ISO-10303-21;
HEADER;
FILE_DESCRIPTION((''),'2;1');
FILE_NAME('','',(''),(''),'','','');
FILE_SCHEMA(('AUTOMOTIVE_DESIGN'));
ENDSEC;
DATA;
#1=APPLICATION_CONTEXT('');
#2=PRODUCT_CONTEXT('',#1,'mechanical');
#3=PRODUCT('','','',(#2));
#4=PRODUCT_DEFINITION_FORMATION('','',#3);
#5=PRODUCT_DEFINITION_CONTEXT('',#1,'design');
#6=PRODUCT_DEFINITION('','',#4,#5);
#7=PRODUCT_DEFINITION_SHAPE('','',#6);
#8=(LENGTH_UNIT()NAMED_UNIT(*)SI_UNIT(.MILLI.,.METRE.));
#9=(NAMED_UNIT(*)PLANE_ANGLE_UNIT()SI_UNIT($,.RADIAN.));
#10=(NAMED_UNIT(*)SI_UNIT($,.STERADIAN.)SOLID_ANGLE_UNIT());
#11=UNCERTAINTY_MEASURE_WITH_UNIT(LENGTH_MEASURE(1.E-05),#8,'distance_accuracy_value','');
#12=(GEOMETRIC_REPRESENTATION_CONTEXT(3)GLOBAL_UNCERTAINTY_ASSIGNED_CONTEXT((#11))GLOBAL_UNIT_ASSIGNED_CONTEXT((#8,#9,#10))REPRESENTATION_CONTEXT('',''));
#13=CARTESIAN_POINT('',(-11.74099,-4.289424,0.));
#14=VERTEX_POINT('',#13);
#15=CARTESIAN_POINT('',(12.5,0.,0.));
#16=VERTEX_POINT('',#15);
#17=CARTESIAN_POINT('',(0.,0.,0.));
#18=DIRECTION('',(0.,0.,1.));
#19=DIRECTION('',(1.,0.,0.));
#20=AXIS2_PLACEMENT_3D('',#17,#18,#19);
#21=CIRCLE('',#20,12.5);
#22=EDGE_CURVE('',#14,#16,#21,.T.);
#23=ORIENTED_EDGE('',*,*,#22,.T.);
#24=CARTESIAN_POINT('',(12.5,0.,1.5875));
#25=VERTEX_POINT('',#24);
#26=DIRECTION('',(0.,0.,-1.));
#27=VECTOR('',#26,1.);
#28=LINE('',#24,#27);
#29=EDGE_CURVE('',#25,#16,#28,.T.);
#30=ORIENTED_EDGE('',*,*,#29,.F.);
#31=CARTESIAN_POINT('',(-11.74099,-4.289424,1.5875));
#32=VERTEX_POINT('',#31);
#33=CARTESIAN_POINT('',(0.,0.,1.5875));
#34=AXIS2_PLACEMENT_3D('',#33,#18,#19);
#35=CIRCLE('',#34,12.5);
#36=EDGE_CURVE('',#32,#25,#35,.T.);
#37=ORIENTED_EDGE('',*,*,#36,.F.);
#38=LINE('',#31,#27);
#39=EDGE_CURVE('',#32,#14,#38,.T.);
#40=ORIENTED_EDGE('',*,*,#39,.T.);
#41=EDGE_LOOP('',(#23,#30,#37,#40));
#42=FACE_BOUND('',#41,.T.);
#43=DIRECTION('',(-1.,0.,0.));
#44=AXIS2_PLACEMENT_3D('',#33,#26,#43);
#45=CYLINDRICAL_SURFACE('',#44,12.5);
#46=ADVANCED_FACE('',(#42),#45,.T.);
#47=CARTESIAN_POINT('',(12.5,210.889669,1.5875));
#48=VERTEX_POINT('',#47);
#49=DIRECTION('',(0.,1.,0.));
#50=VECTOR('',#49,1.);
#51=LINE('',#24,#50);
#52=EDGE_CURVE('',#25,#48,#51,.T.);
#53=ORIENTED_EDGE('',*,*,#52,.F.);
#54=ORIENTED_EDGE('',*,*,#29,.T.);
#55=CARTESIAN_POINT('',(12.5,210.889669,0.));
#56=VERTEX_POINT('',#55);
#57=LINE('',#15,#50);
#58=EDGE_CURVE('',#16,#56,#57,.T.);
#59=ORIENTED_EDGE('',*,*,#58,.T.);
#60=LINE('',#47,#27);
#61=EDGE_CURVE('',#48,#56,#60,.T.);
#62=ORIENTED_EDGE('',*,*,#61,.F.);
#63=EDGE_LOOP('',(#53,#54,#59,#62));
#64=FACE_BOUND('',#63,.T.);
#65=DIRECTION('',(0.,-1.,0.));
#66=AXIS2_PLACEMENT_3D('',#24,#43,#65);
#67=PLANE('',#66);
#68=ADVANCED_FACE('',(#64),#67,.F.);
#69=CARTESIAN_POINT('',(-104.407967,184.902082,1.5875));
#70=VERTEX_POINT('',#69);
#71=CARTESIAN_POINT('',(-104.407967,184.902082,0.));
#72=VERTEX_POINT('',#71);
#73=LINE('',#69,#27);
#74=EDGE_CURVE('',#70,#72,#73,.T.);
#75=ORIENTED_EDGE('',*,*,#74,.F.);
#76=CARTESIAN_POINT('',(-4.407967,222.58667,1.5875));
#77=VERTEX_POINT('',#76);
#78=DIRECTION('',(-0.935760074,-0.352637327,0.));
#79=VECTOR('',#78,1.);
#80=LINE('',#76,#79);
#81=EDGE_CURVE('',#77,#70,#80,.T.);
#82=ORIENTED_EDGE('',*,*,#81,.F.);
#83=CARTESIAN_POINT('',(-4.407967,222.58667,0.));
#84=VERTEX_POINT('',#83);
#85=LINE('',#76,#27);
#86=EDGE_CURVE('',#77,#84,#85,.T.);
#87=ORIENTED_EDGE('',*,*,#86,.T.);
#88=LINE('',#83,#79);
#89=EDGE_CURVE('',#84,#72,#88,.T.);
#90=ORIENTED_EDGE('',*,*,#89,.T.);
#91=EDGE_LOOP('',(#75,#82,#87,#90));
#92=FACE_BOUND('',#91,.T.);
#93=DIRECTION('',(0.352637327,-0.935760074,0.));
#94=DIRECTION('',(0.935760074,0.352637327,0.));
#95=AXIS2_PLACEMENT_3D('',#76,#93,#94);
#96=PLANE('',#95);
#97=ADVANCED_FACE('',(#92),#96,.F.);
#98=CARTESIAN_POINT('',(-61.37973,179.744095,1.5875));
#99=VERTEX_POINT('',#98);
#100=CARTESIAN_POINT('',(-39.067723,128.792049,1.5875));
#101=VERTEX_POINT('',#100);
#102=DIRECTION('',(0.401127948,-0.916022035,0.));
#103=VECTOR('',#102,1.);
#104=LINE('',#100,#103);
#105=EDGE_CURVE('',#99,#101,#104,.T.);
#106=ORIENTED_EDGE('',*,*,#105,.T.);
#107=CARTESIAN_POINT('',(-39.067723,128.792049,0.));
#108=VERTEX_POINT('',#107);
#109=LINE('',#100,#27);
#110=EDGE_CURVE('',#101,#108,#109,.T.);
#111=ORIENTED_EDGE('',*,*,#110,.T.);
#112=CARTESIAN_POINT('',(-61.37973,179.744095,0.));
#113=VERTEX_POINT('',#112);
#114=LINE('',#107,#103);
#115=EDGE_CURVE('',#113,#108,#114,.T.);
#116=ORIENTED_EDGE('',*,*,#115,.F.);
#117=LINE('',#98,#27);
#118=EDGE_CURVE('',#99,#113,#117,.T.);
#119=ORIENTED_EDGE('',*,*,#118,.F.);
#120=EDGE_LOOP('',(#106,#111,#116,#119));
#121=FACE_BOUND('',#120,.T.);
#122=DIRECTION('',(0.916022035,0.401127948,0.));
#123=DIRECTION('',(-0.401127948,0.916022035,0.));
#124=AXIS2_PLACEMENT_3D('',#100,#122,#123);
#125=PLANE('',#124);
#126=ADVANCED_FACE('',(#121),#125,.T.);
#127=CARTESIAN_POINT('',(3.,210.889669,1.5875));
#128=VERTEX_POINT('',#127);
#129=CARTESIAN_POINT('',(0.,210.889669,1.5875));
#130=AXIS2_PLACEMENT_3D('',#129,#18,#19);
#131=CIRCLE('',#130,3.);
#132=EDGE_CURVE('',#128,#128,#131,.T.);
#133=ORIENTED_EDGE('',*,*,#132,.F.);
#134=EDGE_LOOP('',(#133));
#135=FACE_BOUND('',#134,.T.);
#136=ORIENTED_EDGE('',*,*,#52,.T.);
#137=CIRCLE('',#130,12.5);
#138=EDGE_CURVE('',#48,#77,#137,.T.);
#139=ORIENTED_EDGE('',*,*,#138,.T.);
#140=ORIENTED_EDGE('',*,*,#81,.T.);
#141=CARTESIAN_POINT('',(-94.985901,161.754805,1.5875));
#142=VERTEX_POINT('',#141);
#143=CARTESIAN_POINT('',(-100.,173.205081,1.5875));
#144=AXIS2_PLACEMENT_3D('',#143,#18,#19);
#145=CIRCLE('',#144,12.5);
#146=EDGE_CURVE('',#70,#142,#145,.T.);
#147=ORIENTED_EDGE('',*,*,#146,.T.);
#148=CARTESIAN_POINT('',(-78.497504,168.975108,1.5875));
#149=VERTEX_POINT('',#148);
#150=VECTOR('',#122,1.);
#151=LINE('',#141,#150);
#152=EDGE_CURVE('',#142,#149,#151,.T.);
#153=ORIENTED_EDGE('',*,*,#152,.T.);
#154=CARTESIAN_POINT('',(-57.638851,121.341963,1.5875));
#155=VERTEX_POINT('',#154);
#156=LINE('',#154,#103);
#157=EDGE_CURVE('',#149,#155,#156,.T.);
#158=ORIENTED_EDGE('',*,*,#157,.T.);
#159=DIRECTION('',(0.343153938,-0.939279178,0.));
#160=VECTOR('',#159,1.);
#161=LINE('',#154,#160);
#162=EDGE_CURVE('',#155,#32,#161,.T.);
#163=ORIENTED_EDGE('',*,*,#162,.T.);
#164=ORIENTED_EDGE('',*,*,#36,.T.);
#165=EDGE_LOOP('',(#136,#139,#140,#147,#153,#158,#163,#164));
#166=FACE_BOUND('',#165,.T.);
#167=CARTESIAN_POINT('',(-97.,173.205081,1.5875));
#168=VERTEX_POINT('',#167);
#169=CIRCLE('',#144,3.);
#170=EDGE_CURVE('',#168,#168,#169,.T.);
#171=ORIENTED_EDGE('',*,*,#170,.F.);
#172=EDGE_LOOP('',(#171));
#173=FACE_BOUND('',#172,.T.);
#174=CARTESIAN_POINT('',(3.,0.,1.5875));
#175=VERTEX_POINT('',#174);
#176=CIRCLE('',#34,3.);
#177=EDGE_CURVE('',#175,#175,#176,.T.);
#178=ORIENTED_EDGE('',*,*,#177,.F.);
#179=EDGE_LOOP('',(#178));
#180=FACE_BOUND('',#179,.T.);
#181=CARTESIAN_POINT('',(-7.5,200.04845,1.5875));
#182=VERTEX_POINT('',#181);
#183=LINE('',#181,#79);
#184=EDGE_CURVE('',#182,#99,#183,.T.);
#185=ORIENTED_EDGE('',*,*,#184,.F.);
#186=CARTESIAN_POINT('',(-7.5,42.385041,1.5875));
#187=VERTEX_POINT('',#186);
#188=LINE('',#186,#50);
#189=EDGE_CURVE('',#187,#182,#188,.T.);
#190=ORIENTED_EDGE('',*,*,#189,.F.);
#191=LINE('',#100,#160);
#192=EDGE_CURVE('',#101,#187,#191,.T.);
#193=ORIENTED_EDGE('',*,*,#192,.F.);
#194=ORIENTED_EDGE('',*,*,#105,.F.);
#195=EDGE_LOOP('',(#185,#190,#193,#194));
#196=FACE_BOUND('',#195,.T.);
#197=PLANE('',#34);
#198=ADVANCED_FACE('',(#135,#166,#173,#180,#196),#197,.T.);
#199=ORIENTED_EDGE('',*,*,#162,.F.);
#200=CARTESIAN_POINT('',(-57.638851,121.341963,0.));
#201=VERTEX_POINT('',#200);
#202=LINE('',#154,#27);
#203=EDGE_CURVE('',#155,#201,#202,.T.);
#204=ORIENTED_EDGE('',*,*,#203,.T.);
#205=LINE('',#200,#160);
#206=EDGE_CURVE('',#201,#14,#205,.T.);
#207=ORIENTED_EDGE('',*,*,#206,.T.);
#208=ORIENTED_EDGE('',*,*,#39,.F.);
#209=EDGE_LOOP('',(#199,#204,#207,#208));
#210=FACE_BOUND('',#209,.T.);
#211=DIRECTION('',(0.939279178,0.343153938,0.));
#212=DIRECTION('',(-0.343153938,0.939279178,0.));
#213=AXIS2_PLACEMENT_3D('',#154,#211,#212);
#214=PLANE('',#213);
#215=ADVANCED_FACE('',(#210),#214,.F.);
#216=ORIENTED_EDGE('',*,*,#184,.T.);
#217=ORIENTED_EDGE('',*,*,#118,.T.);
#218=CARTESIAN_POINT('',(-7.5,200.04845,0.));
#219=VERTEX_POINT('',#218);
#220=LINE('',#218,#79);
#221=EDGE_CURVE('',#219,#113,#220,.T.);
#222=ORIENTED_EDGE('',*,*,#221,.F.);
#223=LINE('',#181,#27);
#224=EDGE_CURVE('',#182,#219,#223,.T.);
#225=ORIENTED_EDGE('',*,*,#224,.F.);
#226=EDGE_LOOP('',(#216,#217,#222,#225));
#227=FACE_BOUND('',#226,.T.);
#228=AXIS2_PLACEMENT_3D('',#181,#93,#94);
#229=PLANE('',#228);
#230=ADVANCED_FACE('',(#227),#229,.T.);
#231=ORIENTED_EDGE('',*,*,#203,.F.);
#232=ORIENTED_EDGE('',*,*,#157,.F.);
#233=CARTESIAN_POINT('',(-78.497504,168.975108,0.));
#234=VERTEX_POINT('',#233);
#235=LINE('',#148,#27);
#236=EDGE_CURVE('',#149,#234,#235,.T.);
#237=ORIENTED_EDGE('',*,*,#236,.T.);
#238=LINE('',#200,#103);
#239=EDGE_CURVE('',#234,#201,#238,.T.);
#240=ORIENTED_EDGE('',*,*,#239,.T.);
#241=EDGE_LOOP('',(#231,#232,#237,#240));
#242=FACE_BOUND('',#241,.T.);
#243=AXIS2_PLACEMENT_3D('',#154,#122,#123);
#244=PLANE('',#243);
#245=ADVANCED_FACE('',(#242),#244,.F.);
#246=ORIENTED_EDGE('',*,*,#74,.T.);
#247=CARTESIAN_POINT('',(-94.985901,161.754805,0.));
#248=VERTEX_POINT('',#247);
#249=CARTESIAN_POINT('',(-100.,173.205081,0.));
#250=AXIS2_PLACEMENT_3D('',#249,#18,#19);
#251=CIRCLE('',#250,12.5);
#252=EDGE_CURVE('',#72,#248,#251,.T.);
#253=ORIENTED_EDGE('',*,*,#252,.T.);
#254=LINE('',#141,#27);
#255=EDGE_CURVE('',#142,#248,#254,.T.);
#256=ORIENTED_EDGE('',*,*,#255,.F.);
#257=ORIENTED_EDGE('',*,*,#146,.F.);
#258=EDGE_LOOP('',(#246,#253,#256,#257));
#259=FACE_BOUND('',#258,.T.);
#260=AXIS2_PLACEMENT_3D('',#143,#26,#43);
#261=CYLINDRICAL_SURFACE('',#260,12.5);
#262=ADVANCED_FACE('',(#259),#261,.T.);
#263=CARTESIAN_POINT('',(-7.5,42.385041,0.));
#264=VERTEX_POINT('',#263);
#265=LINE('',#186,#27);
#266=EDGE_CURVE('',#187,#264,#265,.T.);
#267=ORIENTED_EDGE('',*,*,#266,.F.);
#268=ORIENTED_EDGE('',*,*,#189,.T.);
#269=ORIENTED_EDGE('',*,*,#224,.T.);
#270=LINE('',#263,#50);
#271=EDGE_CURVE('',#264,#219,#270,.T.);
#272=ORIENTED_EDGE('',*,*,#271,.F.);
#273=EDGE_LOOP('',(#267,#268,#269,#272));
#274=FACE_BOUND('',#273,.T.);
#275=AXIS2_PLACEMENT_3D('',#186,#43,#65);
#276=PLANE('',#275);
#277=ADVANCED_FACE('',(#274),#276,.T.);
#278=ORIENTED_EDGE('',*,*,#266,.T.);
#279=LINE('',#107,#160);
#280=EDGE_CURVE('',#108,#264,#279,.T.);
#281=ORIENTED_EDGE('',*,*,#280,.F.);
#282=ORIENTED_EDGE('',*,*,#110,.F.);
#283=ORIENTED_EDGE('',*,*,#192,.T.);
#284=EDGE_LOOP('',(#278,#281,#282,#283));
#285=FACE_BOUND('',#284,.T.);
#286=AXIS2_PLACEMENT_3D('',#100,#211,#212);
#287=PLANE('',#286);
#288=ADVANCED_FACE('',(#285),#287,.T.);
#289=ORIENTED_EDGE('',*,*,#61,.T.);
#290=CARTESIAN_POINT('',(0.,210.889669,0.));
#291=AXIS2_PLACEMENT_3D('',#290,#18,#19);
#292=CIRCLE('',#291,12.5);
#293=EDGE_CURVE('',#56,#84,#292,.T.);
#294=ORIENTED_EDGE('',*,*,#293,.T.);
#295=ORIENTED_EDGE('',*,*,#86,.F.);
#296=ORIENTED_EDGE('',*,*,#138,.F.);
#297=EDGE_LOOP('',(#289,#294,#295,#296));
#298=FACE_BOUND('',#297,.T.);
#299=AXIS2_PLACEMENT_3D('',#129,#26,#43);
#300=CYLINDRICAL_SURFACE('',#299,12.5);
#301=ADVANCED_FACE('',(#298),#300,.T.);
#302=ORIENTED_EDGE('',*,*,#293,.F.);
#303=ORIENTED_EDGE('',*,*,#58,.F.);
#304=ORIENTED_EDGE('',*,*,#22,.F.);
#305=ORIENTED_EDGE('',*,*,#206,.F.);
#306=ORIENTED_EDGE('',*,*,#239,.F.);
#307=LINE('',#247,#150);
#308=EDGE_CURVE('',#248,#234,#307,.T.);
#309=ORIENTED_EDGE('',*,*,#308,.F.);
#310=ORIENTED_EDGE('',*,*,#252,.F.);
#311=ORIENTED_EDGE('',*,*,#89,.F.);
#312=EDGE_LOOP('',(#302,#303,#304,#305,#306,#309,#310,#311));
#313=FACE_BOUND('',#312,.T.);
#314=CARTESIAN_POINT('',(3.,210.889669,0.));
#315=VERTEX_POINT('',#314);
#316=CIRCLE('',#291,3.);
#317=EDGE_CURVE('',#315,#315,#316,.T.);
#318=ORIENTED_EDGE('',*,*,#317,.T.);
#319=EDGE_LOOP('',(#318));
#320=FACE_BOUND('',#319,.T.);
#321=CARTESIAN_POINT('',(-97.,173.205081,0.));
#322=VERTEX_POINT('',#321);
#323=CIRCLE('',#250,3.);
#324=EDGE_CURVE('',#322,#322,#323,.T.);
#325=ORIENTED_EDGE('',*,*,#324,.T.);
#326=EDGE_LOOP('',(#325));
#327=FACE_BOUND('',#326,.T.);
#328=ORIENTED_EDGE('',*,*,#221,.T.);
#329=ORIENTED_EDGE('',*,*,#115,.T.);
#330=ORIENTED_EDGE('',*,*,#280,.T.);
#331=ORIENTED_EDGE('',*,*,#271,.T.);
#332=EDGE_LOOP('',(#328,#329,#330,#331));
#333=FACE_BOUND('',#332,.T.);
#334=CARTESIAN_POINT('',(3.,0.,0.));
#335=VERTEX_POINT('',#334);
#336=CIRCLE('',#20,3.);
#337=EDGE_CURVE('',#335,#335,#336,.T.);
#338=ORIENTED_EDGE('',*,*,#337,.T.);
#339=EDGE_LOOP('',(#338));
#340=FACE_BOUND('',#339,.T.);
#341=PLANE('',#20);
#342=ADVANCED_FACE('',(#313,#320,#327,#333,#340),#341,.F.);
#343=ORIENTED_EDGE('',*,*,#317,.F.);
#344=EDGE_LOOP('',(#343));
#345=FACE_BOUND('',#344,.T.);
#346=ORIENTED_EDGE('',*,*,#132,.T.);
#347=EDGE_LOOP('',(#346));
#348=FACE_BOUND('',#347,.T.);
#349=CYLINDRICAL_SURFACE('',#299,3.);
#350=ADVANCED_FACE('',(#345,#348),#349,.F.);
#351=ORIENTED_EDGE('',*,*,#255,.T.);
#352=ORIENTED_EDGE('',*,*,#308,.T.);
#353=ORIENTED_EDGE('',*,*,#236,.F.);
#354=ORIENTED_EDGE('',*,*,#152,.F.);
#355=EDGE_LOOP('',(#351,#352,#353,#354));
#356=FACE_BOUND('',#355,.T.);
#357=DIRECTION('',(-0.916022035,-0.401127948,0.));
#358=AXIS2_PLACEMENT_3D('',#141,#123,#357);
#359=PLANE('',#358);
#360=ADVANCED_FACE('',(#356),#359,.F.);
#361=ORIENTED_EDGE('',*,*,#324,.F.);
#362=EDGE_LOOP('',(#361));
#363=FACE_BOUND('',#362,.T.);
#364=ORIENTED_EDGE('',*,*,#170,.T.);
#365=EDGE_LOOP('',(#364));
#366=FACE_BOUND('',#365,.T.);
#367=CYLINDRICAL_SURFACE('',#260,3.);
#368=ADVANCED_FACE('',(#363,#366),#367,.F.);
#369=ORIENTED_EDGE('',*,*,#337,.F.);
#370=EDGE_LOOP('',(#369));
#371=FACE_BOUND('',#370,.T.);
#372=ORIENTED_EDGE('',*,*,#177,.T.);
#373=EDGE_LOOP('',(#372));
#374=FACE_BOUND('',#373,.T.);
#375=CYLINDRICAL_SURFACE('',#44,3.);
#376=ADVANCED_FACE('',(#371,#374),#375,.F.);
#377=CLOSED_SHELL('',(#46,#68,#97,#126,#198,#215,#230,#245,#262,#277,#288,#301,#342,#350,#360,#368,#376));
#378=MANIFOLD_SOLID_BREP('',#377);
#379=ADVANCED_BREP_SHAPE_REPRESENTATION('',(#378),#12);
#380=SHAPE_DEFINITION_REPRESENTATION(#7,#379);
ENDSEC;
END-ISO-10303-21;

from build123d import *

# Parameters (mm, degrees)
SKETCH1_R           = 3
BOSS_EXTRUDE1_DEPTH = 1.5875


with BuildPart() as part:
    # Sketch1 → Boss-Extrude1 (new body)
    with BuildSketch(Plane.XY):
        with BuildLine():
            Line((12.5, 0), (12.5, 210.889668604))
            ThreePointArc((12.5, 210.889668604), (7.111624908, 221.169493076), (-4.407966588, 222.586669526))
            Line((-4.407966588, 222.586669526), (-104.407966588, 184.902081679))
            ThreePointArc((-104.407966588, 184.902081679), (-111.577605538, 168.492432881), (-94.985900649, 161.754805315))
            Line((-94.985900649, 161.754805315), (-78.497504012, 168.975108381))
            Line((-78.497504012, 168.975108381), (-57.638850711, 121.341962542))
            Line((-57.638850711, 121.341962542), (-11.740989728, -4.289424229))
            ThreePointArc((-11.740989728, -4.289424229), (2.17802989, -12.308784903), (12.5, 0))
        make_face()
        with Locations((-100, 173.205080757)):
            Circle(SKETCH1_R, mode=Mode.SUBTRACT)
        with Locations((0, 210.889668604)):
            Circle(SKETCH1_R, mode=Mode.SUBTRACT)
        Circle(SKETCH1_R, mode=Mode.SUBTRACT)
        Polygon((-39.067722995, 128.792048743), (-7.5, 42.385041268), (-7.5, 200.048449538), (-61.37972985, 179.744095411), align=None, mode=Mode.SUBTRACT)
    extrude(amount=BOSS_EXTRUDE1_DEPTH)


solid = part.part
